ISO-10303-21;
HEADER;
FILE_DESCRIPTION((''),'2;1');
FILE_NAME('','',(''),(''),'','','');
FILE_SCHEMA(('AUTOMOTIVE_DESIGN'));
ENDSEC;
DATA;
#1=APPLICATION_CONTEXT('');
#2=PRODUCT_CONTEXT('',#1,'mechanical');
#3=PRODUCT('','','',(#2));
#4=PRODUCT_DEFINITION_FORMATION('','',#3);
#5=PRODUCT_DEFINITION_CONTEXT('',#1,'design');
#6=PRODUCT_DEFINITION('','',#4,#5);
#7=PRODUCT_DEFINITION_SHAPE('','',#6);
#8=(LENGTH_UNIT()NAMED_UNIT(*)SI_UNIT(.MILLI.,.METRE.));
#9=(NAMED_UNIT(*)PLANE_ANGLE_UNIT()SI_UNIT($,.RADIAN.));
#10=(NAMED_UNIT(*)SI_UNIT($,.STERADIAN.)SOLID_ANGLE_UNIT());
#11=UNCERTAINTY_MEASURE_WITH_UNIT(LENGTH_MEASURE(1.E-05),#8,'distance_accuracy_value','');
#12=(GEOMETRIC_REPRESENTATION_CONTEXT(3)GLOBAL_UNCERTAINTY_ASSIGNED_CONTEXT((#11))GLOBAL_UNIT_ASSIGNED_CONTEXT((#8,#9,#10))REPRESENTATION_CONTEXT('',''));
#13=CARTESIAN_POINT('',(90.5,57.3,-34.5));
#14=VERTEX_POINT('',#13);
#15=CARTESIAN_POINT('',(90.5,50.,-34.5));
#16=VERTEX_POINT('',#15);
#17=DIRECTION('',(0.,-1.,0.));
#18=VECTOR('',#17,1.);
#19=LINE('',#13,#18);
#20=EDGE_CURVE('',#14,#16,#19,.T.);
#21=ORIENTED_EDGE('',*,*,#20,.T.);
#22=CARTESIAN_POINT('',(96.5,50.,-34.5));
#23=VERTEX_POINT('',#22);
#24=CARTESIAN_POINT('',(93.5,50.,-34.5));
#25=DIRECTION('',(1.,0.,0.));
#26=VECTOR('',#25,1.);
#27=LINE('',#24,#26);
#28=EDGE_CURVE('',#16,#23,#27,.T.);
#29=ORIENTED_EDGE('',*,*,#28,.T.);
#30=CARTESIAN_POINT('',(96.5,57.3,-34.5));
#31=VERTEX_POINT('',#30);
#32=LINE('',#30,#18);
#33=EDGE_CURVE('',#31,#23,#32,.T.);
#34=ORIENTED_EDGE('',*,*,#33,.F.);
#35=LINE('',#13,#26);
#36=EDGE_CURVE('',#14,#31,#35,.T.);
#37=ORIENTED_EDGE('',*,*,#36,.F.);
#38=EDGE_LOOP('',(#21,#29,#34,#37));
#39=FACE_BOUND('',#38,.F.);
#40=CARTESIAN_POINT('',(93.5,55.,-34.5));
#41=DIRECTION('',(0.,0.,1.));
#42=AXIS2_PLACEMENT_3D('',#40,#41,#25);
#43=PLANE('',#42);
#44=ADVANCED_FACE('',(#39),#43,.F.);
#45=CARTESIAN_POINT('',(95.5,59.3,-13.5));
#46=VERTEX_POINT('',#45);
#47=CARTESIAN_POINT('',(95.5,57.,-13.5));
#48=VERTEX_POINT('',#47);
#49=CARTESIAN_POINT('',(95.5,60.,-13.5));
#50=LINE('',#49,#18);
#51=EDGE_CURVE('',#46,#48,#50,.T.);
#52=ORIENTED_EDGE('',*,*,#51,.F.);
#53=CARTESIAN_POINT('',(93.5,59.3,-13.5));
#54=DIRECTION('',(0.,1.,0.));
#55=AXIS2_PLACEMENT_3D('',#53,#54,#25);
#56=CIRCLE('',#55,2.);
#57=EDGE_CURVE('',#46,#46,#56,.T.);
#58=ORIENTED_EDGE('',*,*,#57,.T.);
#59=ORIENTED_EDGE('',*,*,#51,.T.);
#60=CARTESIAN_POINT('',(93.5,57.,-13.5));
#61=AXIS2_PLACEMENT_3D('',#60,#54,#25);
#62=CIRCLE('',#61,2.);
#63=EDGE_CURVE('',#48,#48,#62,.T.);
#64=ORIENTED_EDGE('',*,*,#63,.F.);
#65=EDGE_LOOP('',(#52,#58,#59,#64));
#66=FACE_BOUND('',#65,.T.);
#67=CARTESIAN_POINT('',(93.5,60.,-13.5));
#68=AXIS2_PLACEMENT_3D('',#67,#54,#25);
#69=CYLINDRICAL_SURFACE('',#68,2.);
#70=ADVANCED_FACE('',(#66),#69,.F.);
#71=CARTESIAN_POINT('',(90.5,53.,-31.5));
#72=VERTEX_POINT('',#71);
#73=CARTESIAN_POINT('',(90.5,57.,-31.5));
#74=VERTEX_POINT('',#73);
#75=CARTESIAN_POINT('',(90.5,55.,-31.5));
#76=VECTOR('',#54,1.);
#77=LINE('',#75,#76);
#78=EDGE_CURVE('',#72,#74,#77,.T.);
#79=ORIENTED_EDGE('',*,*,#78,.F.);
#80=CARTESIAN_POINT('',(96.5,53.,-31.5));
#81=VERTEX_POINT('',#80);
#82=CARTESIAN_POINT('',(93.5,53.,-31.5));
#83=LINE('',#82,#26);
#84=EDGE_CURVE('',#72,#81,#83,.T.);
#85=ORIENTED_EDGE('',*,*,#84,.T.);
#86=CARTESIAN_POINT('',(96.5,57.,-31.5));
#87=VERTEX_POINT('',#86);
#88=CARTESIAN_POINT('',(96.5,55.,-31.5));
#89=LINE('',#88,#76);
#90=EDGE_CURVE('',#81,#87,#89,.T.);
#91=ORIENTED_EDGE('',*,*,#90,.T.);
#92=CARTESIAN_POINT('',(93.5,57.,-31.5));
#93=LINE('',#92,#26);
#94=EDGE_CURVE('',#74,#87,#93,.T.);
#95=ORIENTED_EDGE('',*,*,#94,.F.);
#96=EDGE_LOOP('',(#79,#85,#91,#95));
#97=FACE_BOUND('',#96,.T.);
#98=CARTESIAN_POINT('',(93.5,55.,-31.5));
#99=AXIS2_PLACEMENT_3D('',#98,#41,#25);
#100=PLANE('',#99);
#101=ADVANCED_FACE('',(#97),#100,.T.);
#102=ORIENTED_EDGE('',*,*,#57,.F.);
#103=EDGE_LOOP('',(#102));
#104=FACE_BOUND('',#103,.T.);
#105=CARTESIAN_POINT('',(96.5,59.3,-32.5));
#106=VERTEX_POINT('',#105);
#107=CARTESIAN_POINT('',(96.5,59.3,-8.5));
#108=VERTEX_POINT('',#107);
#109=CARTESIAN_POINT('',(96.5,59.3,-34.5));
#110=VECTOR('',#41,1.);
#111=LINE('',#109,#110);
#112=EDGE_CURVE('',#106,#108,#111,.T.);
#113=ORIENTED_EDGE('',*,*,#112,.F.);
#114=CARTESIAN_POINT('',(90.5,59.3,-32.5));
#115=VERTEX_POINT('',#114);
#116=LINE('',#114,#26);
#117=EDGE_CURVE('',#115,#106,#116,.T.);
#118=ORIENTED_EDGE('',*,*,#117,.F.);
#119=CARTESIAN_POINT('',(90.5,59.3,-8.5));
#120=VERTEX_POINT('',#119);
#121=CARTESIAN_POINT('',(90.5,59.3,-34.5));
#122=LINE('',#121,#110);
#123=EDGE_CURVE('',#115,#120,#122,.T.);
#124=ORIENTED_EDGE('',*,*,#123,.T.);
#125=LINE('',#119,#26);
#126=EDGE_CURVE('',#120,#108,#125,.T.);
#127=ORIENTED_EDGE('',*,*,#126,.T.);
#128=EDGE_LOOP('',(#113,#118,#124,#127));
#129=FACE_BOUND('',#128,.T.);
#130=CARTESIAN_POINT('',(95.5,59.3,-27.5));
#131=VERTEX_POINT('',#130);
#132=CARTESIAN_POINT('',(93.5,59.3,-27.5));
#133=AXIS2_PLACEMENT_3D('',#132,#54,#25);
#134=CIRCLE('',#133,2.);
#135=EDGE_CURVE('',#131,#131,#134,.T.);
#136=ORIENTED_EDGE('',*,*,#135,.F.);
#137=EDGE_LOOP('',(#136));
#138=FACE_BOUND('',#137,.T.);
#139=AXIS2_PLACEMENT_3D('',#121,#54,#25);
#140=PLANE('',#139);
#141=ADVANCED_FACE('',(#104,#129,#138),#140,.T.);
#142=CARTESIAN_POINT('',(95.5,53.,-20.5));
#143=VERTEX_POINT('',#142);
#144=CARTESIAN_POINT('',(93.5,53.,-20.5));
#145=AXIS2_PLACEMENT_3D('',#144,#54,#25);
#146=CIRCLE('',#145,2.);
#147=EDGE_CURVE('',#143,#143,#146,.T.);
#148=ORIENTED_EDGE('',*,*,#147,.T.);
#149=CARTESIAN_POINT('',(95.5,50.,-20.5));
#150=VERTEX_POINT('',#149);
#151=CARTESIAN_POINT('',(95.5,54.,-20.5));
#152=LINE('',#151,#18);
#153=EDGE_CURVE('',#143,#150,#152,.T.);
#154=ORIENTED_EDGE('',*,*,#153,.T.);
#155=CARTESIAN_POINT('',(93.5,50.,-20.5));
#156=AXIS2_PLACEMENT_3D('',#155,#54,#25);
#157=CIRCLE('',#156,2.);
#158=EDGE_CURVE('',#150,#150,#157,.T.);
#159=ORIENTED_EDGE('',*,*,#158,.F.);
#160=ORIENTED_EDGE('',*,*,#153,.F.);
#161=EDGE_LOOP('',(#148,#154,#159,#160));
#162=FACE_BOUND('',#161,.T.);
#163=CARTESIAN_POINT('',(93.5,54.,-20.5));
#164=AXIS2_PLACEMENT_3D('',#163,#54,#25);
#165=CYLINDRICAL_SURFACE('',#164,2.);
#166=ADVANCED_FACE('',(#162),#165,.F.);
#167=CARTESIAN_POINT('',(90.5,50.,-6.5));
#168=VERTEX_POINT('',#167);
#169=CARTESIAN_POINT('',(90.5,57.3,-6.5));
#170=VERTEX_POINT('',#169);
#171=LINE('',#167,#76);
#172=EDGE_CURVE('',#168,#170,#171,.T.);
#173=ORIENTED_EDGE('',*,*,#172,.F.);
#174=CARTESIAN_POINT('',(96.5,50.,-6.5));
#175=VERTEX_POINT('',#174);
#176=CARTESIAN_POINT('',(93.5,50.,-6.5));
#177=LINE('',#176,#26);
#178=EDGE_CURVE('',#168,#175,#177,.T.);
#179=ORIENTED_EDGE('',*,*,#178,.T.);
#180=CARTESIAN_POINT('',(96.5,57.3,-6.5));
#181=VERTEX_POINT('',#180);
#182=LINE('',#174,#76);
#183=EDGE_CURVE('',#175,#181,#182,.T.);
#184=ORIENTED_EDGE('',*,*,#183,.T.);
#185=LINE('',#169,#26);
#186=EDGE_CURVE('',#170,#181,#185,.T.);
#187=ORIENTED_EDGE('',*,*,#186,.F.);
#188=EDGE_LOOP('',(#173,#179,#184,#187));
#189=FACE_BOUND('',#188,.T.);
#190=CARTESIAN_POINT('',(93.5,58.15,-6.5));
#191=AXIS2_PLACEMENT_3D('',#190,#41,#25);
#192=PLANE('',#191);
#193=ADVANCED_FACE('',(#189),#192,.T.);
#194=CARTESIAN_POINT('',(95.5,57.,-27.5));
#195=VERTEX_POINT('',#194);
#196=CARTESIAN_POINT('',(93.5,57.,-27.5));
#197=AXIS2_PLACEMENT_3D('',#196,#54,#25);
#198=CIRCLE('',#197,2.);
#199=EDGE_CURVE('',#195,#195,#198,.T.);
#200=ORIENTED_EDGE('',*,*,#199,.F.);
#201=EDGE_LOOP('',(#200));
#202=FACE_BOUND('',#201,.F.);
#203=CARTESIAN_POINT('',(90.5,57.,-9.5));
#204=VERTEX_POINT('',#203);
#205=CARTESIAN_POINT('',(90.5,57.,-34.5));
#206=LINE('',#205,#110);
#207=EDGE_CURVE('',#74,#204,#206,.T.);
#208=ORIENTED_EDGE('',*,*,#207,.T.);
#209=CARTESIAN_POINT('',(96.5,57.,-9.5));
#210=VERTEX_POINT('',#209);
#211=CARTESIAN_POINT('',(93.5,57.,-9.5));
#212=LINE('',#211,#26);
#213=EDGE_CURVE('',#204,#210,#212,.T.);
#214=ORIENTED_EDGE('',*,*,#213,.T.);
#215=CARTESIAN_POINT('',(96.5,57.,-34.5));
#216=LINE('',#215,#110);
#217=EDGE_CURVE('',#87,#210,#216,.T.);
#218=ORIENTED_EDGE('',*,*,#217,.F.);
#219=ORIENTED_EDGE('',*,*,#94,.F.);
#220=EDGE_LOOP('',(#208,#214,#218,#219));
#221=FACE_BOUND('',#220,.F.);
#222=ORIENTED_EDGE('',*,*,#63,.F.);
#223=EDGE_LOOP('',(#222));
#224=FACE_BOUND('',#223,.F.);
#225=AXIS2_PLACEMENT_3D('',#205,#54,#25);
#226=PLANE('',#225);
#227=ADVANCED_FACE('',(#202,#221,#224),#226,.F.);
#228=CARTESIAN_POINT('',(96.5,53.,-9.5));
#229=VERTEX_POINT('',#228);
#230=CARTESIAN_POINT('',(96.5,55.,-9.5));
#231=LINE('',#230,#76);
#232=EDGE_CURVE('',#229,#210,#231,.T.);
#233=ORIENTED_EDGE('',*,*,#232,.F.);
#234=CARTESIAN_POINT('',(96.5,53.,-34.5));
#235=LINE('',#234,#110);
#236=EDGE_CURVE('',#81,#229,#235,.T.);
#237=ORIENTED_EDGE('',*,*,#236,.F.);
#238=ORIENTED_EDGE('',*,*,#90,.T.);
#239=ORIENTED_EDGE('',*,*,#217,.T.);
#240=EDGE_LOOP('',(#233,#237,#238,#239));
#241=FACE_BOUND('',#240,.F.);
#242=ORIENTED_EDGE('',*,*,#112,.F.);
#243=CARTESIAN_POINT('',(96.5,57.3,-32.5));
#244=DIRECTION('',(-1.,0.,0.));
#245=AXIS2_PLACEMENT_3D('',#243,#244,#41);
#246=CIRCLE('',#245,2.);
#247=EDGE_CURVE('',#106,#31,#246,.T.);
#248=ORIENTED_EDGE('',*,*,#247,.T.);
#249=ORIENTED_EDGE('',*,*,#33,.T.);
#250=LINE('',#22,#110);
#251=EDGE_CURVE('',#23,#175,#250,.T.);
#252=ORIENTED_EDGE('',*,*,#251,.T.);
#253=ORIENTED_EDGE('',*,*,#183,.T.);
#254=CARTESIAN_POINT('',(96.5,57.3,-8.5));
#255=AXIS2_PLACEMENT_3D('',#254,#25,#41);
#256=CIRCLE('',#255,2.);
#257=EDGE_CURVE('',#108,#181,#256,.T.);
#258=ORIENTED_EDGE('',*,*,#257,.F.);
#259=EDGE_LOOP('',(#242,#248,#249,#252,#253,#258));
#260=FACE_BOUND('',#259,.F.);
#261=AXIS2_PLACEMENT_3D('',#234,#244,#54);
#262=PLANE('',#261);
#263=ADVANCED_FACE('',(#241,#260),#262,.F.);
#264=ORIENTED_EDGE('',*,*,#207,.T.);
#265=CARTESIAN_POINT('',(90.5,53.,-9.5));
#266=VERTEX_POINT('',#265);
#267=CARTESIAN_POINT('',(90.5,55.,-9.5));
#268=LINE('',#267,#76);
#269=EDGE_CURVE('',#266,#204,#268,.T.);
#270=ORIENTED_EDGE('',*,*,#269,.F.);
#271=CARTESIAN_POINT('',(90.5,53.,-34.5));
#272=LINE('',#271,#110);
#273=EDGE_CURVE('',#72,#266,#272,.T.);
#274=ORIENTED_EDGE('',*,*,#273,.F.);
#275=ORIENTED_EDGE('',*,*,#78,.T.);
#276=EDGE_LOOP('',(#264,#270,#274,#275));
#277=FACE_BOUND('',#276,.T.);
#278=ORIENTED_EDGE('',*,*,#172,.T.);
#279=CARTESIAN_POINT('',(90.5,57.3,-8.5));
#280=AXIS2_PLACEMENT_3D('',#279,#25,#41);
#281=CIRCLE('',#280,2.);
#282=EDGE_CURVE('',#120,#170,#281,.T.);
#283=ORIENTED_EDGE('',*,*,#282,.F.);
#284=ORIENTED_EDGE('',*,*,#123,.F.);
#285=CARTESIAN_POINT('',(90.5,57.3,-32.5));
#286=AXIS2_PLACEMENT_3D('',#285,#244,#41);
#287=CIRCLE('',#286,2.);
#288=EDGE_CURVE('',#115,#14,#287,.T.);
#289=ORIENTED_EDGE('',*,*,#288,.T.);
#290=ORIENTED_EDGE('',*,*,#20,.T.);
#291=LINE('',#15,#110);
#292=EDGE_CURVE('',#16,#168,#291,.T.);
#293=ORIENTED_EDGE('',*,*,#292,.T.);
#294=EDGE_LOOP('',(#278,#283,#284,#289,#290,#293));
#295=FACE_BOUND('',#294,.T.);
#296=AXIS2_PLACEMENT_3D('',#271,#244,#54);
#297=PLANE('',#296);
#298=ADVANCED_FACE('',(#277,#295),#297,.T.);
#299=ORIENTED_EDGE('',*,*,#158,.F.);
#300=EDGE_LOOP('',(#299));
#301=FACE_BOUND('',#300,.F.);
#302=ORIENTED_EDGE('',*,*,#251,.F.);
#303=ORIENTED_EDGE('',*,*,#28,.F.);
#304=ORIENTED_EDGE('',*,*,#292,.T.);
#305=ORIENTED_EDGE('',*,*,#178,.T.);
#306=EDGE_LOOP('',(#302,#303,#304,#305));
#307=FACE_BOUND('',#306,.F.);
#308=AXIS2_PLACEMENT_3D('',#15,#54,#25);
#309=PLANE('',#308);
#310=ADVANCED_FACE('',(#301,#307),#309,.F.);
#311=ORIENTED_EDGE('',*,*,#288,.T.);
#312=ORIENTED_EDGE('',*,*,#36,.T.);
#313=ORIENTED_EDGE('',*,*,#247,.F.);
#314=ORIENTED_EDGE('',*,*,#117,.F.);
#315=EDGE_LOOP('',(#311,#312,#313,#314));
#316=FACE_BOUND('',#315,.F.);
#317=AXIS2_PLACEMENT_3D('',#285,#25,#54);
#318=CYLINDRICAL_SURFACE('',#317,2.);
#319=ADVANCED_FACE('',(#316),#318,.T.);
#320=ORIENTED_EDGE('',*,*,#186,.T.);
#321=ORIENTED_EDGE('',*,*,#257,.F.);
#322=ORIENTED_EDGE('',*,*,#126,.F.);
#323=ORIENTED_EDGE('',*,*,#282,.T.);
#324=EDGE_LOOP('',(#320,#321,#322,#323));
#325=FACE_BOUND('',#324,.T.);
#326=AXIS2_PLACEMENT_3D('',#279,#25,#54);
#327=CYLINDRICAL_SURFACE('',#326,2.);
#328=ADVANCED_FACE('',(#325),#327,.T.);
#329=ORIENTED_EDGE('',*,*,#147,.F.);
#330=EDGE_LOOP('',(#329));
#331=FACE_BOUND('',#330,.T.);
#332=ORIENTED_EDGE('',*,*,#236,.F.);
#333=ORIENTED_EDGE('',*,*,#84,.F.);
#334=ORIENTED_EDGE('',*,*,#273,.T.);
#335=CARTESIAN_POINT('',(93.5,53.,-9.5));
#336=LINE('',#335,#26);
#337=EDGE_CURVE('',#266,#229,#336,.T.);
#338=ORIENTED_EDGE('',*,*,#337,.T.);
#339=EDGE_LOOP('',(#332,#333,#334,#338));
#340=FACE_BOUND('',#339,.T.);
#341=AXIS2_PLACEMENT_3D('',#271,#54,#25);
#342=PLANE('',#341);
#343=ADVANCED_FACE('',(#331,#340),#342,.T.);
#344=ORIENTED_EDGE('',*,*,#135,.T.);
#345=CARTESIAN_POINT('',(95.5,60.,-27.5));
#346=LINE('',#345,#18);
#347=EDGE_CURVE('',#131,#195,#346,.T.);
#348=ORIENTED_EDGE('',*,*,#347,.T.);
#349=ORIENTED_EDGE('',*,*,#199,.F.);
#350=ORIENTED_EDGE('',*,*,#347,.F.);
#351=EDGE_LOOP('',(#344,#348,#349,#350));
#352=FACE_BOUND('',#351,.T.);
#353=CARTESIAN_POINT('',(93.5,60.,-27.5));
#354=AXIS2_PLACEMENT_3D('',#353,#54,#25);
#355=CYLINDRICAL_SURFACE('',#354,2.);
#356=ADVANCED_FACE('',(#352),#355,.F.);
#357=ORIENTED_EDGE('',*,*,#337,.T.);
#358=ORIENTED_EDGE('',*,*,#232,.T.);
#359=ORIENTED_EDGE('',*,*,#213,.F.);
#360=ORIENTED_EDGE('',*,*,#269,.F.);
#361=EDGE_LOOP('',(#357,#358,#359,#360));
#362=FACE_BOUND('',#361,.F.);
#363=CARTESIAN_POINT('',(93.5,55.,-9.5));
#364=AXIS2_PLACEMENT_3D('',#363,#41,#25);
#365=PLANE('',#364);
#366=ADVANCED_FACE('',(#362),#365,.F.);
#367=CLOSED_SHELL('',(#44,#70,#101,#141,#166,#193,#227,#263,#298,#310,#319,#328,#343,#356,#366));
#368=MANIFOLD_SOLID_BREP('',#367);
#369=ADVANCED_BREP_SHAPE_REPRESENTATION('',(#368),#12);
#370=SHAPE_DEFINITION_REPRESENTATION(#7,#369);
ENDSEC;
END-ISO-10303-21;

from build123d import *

# Parameters (mm, degrees)
BOX233_W          = 6
BOX233_H          = 4
BOX233_DEPTH      = 3
CYLINDER090_R     = 2
CYLINDER090_DEPTH = 5
CYLINDER089_R     = 2
CYLINDER089_DEPTH = 5
BOX223_W          = 6
BOX223_H          = 2.3
BOX223_DEPTH      = 28
FILLET060_R       = 2
BOX232_W          = 6
BOX232_H          = 4
BOX232_DEPTH      = 3
CYLINDER091_R     = 2
CYLINDER091_DEPTH = 5
BOX224_W          = 6
BOX224_H          = 3
BOX224_DEPTH      = 28


with BuildPart() as cube221:
    # Box233 → Box233 (new body)
    with BuildSketch(Plane(origin=(22.5, 53, -9.5), x_dir=(1, 0, 0), z_dir=(0, 0, 1))):
        with Locations((3, 2)):
            Rectangle(BOX233_W, BOX233_H)
    extrude(amount=BOX233_DEPTH)


with BuildPart() as cylinder171:
    # Cylinder090 → Cylinder090 (new body)
    with BuildSketch(Plane(origin=(25.5, 60, -27.5), x_dir=(1, 0, 0), z_dir=(0, -1, 0))):
        Circle(CYLINDER090_R)
    extrude(amount=CYLINDER090_DEPTH)


with BuildPart() as cylinder170:
    # Cylinder089 → Cylinder089 (new body)
    with BuildSketch(Plane(origin=(25.5, 60, -13.5), x_dir=(1, 0, 0), z_dir=(0, -1, 0))):
        Circle(CYLINDER089_R)
    extrude(amount=CYLINDER089_DEPTH)


with BuildPart() as fillet060:
    # Box223 → Box223 (new body)
    with BuildSketch(Plane(origin=(22.5, 57, -34.5), x_dir=(1, 0, 0), z_dir=(0, 0, 1))):
        with Locations((3, 1.15)):
            Rectangle(BOX223_W, BOX223_H)
    extrude(amount=BOX223_DEPTH)

    # Cut113: cut Cylinder170
    add(cylinder170.part, mode=Mode.SUBTRACT)

    # Cut114: cut Cylinder171
    add(cylinder171.part, mode=Mode.SUBTRACT)

    # Fillet060
    fillet060_edges = [fillet060.edges().sort_by_distance(p)[0] for p in [
        (25.5, 59.3, -6.5),
        (25.5, 59.3, -34.5),
    ]]
    fillet(fillet060_edges, radius=FILLET060_R)


with BuildPart() as cube220:
    # Box232 → Box232 (new body)
    with BuildSketch(Plane(origin=(22.5, 53, -34.5), x_dir=(1, 0, 0), z_dir=(0, 0, 1))):
        with Locations((3, 2)):
            Rectangle(BOX232_W, BOX232_H)
    extrude(amount=BOX232_DEPTH)


with BuildPart() as cylinder172:
    # Cylinder091 → Cylinder091 (new body)
    with BuildSketch(Plane(origin=(25.5, 54, -20.5), x_dir=(1, 0, 0), z_dir=(0, -1, 0))):
        Circle(CYLINDER091_R)
    extrude(amount=CYLINDER091_DEPTH)


with BuildPart() as fusion074:
    # Box224 → Box224 (new body)
    with BuildSketch(Plane(origin=(22.5, 50, -34.5), x_dir=(1, 0, 0), z_dir=(0, 0, 1))):
        with Locations((3, 1.5)):
            Rectangle(BOX224_W, BOX224_H)
    extrude(amount=BOX224_DEPTH)

    # Cut126: cut Cylinder172
    add(cylinder172.part, mode=Mode.SUBTRACT)

    # Fusion074: union Cube221, Fillet060, Cube220
    add(cube221.part)
    add(fillet060.part)
    add(cube220.part)


with BuildPart() as fusion074_1:
    # Fusion074 placement: moved
    add(fusion074.part.moved(Location((68, 0, 0))))


solid = fusion074_1.part
